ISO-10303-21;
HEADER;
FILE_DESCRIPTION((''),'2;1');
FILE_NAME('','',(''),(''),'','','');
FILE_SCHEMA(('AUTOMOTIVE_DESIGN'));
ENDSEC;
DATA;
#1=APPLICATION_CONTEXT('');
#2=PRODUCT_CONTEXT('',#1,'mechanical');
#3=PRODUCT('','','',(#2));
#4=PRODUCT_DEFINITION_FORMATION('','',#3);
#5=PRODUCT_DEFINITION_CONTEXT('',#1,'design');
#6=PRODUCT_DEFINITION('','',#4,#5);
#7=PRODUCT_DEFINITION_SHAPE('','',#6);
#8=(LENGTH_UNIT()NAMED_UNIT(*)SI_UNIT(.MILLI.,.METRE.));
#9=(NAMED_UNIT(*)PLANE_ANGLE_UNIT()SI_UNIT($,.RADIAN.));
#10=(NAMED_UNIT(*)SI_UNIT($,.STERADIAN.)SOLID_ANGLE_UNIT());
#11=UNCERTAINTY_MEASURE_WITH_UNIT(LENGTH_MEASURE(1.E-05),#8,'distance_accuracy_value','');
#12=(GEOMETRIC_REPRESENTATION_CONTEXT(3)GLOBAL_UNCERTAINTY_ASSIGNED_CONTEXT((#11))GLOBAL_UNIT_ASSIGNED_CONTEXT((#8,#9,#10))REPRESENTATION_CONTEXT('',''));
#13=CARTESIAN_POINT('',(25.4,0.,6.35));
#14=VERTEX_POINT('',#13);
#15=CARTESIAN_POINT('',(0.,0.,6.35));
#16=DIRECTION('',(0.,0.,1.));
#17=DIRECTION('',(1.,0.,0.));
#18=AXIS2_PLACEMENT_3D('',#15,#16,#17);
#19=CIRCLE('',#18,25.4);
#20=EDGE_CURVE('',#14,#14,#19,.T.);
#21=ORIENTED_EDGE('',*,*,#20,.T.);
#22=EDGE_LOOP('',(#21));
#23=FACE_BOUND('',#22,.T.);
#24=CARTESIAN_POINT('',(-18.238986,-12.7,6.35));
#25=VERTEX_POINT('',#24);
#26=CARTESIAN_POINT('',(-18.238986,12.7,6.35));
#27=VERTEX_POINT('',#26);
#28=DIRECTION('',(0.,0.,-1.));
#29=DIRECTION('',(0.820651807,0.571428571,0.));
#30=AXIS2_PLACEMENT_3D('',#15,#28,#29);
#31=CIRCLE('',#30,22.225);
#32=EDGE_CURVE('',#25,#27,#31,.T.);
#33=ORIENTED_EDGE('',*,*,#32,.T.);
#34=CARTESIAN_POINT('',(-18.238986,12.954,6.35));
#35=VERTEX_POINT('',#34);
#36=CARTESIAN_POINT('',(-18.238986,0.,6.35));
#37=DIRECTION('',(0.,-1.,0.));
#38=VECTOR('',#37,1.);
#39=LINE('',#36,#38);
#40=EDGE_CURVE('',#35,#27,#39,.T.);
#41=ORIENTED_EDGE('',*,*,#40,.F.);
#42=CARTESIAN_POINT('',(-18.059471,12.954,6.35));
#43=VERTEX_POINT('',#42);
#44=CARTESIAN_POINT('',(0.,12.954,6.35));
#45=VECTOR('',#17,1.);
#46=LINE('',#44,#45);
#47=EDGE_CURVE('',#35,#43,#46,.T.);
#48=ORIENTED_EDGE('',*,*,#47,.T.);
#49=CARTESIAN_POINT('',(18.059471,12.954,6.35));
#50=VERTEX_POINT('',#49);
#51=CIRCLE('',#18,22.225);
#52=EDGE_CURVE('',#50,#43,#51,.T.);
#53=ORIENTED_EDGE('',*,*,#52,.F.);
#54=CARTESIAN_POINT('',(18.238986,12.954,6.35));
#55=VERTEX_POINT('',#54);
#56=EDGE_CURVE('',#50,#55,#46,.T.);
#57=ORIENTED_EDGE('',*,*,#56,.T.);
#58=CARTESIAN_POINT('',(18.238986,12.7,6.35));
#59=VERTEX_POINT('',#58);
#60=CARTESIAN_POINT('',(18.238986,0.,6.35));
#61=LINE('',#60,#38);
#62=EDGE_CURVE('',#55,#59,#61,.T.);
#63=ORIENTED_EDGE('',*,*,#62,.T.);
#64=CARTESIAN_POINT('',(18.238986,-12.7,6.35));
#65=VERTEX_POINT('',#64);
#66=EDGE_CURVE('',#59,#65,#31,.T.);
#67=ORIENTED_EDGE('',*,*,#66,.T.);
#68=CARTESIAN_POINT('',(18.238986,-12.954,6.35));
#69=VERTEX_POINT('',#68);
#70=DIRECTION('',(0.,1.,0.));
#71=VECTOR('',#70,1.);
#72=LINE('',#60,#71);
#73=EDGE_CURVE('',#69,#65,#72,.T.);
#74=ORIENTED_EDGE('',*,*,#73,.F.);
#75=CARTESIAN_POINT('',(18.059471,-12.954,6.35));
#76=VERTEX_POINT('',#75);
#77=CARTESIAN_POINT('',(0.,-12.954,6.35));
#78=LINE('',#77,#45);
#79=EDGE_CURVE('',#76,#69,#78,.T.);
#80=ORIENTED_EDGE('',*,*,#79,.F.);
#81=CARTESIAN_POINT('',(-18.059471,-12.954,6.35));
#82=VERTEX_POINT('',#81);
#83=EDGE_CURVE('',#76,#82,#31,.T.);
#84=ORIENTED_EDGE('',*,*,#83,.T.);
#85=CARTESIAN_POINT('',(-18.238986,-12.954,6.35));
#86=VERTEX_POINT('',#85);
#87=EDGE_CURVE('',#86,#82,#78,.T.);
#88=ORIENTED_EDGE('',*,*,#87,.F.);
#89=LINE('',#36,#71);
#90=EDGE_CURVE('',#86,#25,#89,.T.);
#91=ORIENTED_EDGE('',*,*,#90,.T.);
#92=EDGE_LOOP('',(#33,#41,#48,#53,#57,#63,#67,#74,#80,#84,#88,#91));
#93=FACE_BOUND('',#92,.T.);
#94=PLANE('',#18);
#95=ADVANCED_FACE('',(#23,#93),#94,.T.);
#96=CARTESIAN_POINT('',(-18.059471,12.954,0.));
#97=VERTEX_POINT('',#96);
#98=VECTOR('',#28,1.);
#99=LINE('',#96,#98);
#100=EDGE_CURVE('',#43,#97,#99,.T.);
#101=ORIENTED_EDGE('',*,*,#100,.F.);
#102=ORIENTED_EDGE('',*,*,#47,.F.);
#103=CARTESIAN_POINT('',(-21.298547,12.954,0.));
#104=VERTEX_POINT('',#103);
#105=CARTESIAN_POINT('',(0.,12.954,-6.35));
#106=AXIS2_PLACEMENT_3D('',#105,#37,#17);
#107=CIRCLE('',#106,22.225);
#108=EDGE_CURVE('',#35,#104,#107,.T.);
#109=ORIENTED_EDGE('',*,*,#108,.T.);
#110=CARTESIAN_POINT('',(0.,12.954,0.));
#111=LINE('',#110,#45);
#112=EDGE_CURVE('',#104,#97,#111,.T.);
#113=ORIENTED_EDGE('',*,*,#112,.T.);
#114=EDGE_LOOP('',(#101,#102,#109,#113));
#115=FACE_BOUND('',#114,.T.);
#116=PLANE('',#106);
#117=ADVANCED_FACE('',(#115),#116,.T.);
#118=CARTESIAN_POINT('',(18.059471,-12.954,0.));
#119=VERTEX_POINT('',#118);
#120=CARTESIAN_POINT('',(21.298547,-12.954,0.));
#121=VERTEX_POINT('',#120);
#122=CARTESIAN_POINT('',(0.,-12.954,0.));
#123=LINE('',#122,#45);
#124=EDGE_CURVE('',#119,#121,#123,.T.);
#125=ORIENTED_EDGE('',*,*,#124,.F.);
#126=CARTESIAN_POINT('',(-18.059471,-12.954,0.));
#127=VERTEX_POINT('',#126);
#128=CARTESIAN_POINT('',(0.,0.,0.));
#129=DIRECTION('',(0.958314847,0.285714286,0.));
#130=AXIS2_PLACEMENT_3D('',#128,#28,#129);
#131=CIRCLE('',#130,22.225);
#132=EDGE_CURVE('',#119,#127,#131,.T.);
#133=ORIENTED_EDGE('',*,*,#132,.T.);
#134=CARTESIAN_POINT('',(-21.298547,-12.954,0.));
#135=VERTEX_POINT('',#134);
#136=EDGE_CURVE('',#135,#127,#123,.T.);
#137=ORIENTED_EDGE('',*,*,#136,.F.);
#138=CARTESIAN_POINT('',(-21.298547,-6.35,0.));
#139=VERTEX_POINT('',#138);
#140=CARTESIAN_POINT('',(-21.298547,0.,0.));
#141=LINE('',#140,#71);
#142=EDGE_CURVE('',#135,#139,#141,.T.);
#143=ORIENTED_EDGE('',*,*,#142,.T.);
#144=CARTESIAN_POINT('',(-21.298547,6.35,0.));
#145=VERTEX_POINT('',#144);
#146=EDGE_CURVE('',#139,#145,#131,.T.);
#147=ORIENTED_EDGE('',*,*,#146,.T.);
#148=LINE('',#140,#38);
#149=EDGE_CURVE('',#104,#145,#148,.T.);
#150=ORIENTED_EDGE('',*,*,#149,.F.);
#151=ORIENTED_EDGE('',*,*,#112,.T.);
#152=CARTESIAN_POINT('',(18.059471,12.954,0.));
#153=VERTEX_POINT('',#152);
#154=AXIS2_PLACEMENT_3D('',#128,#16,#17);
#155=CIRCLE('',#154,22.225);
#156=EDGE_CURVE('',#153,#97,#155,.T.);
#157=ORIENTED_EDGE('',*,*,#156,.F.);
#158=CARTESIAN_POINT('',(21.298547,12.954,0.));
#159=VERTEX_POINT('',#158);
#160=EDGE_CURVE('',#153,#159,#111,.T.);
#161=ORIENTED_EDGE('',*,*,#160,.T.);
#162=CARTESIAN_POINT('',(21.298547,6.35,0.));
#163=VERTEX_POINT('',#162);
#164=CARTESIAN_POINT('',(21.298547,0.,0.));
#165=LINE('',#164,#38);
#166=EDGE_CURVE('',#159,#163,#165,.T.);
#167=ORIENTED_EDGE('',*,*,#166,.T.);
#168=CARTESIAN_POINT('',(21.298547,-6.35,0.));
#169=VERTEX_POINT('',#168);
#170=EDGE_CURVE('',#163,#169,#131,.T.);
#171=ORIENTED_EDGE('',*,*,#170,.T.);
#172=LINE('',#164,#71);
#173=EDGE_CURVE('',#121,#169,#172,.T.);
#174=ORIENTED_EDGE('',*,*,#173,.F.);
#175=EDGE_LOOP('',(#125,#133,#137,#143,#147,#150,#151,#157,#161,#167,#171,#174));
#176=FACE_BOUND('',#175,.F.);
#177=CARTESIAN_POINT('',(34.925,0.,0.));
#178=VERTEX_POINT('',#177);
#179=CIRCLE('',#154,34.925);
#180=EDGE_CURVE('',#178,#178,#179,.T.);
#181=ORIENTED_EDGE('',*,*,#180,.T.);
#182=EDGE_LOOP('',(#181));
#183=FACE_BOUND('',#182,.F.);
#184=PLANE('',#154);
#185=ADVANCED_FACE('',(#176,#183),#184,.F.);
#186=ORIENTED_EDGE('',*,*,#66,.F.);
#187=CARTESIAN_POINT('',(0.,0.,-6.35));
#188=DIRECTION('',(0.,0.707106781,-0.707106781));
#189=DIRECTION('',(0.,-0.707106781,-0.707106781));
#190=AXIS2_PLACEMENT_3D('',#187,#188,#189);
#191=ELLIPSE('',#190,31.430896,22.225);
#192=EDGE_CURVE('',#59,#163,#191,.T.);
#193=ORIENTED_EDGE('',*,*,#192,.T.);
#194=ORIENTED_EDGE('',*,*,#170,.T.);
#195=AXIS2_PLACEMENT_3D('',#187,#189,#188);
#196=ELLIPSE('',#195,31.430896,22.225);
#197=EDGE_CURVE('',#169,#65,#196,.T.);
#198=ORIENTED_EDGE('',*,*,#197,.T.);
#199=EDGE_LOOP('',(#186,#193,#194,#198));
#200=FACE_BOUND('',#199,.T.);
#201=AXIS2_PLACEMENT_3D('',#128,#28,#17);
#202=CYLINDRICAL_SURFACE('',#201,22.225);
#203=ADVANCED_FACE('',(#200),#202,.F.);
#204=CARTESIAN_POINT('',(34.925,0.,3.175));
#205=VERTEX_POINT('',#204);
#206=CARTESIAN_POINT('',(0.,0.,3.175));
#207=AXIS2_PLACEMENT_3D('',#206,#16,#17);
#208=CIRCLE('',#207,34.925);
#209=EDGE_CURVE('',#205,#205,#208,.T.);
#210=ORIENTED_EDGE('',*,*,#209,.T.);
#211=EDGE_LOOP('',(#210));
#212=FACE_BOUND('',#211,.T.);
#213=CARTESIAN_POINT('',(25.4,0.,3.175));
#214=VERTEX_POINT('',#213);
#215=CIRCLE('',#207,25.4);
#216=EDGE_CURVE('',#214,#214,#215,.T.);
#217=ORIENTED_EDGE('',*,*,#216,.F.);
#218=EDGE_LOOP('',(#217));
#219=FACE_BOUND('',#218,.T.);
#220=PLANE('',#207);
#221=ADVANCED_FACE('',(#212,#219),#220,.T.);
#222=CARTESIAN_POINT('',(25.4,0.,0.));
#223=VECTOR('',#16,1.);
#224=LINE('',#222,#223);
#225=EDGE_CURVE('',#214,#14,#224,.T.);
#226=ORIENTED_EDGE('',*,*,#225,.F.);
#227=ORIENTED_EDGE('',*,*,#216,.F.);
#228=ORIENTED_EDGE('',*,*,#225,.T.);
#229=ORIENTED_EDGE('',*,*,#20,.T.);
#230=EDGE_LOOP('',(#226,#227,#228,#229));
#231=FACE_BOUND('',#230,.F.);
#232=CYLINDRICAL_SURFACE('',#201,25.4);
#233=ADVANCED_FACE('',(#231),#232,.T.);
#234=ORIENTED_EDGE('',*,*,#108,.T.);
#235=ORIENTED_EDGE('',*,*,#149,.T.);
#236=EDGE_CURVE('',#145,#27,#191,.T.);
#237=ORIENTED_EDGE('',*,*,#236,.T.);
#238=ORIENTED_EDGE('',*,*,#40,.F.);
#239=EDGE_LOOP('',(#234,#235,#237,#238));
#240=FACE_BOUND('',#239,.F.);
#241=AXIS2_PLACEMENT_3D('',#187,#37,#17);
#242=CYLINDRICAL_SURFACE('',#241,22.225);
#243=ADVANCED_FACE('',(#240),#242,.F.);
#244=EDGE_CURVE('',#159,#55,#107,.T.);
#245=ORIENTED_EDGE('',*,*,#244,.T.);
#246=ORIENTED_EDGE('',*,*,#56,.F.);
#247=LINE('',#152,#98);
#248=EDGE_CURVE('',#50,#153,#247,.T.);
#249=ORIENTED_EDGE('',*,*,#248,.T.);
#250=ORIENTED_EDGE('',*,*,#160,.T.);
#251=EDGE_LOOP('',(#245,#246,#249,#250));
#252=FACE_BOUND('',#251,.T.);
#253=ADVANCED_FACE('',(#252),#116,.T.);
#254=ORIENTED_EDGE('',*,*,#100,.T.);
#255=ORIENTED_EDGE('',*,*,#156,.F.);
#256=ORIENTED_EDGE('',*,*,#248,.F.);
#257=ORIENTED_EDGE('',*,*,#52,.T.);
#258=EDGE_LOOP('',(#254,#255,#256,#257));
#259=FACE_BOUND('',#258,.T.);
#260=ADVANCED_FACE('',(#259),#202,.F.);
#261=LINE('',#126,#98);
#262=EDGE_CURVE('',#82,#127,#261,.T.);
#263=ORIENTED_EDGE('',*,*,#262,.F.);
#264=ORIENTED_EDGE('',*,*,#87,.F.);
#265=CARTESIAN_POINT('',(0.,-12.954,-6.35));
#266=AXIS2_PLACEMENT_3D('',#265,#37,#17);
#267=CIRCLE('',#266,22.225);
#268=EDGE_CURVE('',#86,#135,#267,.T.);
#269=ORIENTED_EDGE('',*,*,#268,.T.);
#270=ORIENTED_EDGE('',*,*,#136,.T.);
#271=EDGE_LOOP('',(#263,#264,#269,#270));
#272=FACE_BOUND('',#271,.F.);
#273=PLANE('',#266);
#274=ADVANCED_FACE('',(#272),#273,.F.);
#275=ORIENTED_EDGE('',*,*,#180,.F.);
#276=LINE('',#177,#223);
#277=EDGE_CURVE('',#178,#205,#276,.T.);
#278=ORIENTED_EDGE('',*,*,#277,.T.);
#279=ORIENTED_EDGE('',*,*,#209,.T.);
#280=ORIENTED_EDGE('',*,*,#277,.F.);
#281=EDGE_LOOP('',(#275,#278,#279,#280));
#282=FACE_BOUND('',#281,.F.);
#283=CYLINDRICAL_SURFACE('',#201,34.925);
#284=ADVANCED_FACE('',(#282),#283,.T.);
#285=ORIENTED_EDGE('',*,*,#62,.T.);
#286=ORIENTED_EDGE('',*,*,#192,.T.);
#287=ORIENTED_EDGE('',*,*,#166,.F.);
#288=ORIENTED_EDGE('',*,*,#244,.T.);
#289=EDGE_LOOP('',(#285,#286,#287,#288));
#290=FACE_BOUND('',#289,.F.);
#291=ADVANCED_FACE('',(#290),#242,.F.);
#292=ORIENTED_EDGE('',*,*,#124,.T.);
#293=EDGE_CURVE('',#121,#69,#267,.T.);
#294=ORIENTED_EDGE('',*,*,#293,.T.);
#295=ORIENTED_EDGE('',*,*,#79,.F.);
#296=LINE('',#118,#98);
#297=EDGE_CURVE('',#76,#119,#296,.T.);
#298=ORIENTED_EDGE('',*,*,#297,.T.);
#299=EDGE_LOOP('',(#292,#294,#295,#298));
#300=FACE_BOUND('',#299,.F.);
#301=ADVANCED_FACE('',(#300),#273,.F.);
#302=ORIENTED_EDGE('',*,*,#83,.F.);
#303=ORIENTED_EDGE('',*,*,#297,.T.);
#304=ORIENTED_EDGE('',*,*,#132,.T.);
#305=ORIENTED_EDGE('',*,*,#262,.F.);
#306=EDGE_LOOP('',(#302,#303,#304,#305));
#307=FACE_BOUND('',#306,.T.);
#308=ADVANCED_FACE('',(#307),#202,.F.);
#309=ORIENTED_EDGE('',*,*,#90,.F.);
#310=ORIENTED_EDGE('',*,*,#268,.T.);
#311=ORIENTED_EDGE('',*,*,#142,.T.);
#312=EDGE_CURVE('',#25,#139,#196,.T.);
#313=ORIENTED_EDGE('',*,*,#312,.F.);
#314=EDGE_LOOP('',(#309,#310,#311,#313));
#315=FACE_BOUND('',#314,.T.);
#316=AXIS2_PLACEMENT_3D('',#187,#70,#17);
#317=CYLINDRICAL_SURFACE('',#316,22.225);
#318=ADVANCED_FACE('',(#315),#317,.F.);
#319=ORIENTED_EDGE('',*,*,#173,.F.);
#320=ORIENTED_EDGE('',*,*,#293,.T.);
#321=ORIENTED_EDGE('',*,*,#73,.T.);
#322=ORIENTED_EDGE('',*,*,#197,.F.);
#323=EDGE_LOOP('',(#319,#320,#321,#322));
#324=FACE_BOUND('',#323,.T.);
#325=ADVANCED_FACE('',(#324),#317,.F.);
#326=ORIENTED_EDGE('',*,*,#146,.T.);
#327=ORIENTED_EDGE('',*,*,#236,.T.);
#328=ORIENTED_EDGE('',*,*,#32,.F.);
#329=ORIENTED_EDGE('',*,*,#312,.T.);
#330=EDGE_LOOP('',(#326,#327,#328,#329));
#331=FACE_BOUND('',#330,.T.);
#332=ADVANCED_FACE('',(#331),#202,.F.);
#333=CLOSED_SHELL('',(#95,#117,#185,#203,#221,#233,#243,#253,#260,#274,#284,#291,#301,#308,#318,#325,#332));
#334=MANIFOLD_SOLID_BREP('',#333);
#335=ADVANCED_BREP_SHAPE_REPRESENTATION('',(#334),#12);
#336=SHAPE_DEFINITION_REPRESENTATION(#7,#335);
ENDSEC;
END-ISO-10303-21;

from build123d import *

# Parameters (mm, degrees)
F0_R          = 34.925
F0_R_2        = 25.4
F1_DEPTH      = 3.175
F0_R_3        = 22.225
F2_DEPTH      = 6.35
F3_R          = 22.225
F4_DEPTH      = 12.954
F4_DEPTH_BACK = 12.954


with BuildPart() as f1:
    # F0 (on Top) → F1 (new body)
    with BuildSketch(Plane.XY):
        Circle(F0_R)
        Circle(F0_R_2, mode=Mode.SUBTRACT)
    extrude(amount=F1_DEPTH)

    # F0 (on Top) → F2 (join)
    with BuildSketch(Plane.XY):
        Circle(F0_R_2)
        Circle(F0_R_3, mode=Mode.SUBTRACT)
    extrude(amount=F2_DEPTH)

    # F3 (on Front) → F4 (cut, two sides)
    with BuildSketch(Plane.XZ) as f4_sk:
        with Locations((0, -6.35)):
            Circle(F3_R)
    extrude(amount=-F4_DEPTH, mode=Mode.SUBTRACT)
    extrude(f4_sk.sketch, amount=F4_DEPTH_BACK, mode=Mode.SUBTRACT)


solid = f1.part
